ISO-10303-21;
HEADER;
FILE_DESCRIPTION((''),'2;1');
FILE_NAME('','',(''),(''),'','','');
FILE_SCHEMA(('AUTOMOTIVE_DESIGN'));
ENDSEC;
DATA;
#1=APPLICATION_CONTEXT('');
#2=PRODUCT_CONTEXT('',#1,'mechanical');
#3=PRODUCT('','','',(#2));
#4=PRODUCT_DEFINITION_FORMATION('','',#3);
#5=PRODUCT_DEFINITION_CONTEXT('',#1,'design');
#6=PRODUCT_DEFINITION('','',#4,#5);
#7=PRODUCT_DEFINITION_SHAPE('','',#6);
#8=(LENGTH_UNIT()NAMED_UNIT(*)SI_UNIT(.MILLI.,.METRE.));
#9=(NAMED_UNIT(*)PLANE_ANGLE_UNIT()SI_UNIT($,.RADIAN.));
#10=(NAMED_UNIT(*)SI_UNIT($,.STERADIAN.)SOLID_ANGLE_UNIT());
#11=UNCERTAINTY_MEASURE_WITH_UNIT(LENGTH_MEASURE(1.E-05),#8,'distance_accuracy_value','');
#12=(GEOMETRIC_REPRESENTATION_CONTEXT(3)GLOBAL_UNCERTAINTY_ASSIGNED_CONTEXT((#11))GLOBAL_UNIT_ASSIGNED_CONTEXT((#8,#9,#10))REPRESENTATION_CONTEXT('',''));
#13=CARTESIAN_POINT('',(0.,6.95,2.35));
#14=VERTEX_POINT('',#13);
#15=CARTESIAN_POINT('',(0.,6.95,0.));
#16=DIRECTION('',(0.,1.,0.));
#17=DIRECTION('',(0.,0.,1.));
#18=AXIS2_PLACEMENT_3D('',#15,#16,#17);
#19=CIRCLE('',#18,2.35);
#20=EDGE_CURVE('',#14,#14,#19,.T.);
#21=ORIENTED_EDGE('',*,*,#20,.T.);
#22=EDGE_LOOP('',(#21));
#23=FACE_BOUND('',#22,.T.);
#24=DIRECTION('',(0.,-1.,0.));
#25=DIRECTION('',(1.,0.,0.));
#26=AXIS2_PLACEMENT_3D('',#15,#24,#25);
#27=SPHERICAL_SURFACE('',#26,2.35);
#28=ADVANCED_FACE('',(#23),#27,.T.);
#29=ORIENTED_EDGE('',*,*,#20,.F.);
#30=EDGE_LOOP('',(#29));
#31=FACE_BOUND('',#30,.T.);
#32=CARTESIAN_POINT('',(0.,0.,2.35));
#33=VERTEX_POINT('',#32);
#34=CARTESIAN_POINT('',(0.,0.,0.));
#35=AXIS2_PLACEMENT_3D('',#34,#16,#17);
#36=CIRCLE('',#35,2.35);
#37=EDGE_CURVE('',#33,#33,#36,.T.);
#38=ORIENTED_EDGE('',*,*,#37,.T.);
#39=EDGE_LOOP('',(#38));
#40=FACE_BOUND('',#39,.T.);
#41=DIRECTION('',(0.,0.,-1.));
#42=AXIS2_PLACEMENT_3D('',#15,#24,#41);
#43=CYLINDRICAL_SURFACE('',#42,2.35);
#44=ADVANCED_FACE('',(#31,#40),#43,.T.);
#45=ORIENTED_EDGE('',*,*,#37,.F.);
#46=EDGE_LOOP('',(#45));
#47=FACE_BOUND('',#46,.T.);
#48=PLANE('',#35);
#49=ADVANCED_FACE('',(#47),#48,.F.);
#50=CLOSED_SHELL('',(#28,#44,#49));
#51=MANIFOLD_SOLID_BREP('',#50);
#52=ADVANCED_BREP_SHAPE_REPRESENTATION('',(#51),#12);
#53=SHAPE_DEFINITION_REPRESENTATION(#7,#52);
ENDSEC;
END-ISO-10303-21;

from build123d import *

# Parameters (mm, degrees)
SKETCH1_R           = 2.35
BOSS_EXTRUDE1_DEPTH = 6.95


with BuildPart() as part:
    # Sketch1 → Boss-Extrude1 (new body)
    with BuildSketch(Plane(origin=(0, 0, 0), x_dir=(1, 0, 0), z_dir=(0, 1, 0))):
        with Locations(Location((0, 0, 0), (0, 0, 270))):
            Circle(SKETCH1_R)
    extrude(amount=BOSS_EXTRUDE1_DEPTH)

    # Sketch2 → Revolve1 (revolve)
    with BuildSketch(Plane.XY):
        with BuildLine():
            Line((0, 6.95), (0, 9.3))
            ThreePointArc((0, 9.3), (1.661700936, 8.611700936), (2.35, 6.95))
            Line((2.35, 6.95), (0, 6.95))
        make_face()
    revolve(axis=Axis((0, 6.95, 0), (0, 1, 0)))


solid = part.part
